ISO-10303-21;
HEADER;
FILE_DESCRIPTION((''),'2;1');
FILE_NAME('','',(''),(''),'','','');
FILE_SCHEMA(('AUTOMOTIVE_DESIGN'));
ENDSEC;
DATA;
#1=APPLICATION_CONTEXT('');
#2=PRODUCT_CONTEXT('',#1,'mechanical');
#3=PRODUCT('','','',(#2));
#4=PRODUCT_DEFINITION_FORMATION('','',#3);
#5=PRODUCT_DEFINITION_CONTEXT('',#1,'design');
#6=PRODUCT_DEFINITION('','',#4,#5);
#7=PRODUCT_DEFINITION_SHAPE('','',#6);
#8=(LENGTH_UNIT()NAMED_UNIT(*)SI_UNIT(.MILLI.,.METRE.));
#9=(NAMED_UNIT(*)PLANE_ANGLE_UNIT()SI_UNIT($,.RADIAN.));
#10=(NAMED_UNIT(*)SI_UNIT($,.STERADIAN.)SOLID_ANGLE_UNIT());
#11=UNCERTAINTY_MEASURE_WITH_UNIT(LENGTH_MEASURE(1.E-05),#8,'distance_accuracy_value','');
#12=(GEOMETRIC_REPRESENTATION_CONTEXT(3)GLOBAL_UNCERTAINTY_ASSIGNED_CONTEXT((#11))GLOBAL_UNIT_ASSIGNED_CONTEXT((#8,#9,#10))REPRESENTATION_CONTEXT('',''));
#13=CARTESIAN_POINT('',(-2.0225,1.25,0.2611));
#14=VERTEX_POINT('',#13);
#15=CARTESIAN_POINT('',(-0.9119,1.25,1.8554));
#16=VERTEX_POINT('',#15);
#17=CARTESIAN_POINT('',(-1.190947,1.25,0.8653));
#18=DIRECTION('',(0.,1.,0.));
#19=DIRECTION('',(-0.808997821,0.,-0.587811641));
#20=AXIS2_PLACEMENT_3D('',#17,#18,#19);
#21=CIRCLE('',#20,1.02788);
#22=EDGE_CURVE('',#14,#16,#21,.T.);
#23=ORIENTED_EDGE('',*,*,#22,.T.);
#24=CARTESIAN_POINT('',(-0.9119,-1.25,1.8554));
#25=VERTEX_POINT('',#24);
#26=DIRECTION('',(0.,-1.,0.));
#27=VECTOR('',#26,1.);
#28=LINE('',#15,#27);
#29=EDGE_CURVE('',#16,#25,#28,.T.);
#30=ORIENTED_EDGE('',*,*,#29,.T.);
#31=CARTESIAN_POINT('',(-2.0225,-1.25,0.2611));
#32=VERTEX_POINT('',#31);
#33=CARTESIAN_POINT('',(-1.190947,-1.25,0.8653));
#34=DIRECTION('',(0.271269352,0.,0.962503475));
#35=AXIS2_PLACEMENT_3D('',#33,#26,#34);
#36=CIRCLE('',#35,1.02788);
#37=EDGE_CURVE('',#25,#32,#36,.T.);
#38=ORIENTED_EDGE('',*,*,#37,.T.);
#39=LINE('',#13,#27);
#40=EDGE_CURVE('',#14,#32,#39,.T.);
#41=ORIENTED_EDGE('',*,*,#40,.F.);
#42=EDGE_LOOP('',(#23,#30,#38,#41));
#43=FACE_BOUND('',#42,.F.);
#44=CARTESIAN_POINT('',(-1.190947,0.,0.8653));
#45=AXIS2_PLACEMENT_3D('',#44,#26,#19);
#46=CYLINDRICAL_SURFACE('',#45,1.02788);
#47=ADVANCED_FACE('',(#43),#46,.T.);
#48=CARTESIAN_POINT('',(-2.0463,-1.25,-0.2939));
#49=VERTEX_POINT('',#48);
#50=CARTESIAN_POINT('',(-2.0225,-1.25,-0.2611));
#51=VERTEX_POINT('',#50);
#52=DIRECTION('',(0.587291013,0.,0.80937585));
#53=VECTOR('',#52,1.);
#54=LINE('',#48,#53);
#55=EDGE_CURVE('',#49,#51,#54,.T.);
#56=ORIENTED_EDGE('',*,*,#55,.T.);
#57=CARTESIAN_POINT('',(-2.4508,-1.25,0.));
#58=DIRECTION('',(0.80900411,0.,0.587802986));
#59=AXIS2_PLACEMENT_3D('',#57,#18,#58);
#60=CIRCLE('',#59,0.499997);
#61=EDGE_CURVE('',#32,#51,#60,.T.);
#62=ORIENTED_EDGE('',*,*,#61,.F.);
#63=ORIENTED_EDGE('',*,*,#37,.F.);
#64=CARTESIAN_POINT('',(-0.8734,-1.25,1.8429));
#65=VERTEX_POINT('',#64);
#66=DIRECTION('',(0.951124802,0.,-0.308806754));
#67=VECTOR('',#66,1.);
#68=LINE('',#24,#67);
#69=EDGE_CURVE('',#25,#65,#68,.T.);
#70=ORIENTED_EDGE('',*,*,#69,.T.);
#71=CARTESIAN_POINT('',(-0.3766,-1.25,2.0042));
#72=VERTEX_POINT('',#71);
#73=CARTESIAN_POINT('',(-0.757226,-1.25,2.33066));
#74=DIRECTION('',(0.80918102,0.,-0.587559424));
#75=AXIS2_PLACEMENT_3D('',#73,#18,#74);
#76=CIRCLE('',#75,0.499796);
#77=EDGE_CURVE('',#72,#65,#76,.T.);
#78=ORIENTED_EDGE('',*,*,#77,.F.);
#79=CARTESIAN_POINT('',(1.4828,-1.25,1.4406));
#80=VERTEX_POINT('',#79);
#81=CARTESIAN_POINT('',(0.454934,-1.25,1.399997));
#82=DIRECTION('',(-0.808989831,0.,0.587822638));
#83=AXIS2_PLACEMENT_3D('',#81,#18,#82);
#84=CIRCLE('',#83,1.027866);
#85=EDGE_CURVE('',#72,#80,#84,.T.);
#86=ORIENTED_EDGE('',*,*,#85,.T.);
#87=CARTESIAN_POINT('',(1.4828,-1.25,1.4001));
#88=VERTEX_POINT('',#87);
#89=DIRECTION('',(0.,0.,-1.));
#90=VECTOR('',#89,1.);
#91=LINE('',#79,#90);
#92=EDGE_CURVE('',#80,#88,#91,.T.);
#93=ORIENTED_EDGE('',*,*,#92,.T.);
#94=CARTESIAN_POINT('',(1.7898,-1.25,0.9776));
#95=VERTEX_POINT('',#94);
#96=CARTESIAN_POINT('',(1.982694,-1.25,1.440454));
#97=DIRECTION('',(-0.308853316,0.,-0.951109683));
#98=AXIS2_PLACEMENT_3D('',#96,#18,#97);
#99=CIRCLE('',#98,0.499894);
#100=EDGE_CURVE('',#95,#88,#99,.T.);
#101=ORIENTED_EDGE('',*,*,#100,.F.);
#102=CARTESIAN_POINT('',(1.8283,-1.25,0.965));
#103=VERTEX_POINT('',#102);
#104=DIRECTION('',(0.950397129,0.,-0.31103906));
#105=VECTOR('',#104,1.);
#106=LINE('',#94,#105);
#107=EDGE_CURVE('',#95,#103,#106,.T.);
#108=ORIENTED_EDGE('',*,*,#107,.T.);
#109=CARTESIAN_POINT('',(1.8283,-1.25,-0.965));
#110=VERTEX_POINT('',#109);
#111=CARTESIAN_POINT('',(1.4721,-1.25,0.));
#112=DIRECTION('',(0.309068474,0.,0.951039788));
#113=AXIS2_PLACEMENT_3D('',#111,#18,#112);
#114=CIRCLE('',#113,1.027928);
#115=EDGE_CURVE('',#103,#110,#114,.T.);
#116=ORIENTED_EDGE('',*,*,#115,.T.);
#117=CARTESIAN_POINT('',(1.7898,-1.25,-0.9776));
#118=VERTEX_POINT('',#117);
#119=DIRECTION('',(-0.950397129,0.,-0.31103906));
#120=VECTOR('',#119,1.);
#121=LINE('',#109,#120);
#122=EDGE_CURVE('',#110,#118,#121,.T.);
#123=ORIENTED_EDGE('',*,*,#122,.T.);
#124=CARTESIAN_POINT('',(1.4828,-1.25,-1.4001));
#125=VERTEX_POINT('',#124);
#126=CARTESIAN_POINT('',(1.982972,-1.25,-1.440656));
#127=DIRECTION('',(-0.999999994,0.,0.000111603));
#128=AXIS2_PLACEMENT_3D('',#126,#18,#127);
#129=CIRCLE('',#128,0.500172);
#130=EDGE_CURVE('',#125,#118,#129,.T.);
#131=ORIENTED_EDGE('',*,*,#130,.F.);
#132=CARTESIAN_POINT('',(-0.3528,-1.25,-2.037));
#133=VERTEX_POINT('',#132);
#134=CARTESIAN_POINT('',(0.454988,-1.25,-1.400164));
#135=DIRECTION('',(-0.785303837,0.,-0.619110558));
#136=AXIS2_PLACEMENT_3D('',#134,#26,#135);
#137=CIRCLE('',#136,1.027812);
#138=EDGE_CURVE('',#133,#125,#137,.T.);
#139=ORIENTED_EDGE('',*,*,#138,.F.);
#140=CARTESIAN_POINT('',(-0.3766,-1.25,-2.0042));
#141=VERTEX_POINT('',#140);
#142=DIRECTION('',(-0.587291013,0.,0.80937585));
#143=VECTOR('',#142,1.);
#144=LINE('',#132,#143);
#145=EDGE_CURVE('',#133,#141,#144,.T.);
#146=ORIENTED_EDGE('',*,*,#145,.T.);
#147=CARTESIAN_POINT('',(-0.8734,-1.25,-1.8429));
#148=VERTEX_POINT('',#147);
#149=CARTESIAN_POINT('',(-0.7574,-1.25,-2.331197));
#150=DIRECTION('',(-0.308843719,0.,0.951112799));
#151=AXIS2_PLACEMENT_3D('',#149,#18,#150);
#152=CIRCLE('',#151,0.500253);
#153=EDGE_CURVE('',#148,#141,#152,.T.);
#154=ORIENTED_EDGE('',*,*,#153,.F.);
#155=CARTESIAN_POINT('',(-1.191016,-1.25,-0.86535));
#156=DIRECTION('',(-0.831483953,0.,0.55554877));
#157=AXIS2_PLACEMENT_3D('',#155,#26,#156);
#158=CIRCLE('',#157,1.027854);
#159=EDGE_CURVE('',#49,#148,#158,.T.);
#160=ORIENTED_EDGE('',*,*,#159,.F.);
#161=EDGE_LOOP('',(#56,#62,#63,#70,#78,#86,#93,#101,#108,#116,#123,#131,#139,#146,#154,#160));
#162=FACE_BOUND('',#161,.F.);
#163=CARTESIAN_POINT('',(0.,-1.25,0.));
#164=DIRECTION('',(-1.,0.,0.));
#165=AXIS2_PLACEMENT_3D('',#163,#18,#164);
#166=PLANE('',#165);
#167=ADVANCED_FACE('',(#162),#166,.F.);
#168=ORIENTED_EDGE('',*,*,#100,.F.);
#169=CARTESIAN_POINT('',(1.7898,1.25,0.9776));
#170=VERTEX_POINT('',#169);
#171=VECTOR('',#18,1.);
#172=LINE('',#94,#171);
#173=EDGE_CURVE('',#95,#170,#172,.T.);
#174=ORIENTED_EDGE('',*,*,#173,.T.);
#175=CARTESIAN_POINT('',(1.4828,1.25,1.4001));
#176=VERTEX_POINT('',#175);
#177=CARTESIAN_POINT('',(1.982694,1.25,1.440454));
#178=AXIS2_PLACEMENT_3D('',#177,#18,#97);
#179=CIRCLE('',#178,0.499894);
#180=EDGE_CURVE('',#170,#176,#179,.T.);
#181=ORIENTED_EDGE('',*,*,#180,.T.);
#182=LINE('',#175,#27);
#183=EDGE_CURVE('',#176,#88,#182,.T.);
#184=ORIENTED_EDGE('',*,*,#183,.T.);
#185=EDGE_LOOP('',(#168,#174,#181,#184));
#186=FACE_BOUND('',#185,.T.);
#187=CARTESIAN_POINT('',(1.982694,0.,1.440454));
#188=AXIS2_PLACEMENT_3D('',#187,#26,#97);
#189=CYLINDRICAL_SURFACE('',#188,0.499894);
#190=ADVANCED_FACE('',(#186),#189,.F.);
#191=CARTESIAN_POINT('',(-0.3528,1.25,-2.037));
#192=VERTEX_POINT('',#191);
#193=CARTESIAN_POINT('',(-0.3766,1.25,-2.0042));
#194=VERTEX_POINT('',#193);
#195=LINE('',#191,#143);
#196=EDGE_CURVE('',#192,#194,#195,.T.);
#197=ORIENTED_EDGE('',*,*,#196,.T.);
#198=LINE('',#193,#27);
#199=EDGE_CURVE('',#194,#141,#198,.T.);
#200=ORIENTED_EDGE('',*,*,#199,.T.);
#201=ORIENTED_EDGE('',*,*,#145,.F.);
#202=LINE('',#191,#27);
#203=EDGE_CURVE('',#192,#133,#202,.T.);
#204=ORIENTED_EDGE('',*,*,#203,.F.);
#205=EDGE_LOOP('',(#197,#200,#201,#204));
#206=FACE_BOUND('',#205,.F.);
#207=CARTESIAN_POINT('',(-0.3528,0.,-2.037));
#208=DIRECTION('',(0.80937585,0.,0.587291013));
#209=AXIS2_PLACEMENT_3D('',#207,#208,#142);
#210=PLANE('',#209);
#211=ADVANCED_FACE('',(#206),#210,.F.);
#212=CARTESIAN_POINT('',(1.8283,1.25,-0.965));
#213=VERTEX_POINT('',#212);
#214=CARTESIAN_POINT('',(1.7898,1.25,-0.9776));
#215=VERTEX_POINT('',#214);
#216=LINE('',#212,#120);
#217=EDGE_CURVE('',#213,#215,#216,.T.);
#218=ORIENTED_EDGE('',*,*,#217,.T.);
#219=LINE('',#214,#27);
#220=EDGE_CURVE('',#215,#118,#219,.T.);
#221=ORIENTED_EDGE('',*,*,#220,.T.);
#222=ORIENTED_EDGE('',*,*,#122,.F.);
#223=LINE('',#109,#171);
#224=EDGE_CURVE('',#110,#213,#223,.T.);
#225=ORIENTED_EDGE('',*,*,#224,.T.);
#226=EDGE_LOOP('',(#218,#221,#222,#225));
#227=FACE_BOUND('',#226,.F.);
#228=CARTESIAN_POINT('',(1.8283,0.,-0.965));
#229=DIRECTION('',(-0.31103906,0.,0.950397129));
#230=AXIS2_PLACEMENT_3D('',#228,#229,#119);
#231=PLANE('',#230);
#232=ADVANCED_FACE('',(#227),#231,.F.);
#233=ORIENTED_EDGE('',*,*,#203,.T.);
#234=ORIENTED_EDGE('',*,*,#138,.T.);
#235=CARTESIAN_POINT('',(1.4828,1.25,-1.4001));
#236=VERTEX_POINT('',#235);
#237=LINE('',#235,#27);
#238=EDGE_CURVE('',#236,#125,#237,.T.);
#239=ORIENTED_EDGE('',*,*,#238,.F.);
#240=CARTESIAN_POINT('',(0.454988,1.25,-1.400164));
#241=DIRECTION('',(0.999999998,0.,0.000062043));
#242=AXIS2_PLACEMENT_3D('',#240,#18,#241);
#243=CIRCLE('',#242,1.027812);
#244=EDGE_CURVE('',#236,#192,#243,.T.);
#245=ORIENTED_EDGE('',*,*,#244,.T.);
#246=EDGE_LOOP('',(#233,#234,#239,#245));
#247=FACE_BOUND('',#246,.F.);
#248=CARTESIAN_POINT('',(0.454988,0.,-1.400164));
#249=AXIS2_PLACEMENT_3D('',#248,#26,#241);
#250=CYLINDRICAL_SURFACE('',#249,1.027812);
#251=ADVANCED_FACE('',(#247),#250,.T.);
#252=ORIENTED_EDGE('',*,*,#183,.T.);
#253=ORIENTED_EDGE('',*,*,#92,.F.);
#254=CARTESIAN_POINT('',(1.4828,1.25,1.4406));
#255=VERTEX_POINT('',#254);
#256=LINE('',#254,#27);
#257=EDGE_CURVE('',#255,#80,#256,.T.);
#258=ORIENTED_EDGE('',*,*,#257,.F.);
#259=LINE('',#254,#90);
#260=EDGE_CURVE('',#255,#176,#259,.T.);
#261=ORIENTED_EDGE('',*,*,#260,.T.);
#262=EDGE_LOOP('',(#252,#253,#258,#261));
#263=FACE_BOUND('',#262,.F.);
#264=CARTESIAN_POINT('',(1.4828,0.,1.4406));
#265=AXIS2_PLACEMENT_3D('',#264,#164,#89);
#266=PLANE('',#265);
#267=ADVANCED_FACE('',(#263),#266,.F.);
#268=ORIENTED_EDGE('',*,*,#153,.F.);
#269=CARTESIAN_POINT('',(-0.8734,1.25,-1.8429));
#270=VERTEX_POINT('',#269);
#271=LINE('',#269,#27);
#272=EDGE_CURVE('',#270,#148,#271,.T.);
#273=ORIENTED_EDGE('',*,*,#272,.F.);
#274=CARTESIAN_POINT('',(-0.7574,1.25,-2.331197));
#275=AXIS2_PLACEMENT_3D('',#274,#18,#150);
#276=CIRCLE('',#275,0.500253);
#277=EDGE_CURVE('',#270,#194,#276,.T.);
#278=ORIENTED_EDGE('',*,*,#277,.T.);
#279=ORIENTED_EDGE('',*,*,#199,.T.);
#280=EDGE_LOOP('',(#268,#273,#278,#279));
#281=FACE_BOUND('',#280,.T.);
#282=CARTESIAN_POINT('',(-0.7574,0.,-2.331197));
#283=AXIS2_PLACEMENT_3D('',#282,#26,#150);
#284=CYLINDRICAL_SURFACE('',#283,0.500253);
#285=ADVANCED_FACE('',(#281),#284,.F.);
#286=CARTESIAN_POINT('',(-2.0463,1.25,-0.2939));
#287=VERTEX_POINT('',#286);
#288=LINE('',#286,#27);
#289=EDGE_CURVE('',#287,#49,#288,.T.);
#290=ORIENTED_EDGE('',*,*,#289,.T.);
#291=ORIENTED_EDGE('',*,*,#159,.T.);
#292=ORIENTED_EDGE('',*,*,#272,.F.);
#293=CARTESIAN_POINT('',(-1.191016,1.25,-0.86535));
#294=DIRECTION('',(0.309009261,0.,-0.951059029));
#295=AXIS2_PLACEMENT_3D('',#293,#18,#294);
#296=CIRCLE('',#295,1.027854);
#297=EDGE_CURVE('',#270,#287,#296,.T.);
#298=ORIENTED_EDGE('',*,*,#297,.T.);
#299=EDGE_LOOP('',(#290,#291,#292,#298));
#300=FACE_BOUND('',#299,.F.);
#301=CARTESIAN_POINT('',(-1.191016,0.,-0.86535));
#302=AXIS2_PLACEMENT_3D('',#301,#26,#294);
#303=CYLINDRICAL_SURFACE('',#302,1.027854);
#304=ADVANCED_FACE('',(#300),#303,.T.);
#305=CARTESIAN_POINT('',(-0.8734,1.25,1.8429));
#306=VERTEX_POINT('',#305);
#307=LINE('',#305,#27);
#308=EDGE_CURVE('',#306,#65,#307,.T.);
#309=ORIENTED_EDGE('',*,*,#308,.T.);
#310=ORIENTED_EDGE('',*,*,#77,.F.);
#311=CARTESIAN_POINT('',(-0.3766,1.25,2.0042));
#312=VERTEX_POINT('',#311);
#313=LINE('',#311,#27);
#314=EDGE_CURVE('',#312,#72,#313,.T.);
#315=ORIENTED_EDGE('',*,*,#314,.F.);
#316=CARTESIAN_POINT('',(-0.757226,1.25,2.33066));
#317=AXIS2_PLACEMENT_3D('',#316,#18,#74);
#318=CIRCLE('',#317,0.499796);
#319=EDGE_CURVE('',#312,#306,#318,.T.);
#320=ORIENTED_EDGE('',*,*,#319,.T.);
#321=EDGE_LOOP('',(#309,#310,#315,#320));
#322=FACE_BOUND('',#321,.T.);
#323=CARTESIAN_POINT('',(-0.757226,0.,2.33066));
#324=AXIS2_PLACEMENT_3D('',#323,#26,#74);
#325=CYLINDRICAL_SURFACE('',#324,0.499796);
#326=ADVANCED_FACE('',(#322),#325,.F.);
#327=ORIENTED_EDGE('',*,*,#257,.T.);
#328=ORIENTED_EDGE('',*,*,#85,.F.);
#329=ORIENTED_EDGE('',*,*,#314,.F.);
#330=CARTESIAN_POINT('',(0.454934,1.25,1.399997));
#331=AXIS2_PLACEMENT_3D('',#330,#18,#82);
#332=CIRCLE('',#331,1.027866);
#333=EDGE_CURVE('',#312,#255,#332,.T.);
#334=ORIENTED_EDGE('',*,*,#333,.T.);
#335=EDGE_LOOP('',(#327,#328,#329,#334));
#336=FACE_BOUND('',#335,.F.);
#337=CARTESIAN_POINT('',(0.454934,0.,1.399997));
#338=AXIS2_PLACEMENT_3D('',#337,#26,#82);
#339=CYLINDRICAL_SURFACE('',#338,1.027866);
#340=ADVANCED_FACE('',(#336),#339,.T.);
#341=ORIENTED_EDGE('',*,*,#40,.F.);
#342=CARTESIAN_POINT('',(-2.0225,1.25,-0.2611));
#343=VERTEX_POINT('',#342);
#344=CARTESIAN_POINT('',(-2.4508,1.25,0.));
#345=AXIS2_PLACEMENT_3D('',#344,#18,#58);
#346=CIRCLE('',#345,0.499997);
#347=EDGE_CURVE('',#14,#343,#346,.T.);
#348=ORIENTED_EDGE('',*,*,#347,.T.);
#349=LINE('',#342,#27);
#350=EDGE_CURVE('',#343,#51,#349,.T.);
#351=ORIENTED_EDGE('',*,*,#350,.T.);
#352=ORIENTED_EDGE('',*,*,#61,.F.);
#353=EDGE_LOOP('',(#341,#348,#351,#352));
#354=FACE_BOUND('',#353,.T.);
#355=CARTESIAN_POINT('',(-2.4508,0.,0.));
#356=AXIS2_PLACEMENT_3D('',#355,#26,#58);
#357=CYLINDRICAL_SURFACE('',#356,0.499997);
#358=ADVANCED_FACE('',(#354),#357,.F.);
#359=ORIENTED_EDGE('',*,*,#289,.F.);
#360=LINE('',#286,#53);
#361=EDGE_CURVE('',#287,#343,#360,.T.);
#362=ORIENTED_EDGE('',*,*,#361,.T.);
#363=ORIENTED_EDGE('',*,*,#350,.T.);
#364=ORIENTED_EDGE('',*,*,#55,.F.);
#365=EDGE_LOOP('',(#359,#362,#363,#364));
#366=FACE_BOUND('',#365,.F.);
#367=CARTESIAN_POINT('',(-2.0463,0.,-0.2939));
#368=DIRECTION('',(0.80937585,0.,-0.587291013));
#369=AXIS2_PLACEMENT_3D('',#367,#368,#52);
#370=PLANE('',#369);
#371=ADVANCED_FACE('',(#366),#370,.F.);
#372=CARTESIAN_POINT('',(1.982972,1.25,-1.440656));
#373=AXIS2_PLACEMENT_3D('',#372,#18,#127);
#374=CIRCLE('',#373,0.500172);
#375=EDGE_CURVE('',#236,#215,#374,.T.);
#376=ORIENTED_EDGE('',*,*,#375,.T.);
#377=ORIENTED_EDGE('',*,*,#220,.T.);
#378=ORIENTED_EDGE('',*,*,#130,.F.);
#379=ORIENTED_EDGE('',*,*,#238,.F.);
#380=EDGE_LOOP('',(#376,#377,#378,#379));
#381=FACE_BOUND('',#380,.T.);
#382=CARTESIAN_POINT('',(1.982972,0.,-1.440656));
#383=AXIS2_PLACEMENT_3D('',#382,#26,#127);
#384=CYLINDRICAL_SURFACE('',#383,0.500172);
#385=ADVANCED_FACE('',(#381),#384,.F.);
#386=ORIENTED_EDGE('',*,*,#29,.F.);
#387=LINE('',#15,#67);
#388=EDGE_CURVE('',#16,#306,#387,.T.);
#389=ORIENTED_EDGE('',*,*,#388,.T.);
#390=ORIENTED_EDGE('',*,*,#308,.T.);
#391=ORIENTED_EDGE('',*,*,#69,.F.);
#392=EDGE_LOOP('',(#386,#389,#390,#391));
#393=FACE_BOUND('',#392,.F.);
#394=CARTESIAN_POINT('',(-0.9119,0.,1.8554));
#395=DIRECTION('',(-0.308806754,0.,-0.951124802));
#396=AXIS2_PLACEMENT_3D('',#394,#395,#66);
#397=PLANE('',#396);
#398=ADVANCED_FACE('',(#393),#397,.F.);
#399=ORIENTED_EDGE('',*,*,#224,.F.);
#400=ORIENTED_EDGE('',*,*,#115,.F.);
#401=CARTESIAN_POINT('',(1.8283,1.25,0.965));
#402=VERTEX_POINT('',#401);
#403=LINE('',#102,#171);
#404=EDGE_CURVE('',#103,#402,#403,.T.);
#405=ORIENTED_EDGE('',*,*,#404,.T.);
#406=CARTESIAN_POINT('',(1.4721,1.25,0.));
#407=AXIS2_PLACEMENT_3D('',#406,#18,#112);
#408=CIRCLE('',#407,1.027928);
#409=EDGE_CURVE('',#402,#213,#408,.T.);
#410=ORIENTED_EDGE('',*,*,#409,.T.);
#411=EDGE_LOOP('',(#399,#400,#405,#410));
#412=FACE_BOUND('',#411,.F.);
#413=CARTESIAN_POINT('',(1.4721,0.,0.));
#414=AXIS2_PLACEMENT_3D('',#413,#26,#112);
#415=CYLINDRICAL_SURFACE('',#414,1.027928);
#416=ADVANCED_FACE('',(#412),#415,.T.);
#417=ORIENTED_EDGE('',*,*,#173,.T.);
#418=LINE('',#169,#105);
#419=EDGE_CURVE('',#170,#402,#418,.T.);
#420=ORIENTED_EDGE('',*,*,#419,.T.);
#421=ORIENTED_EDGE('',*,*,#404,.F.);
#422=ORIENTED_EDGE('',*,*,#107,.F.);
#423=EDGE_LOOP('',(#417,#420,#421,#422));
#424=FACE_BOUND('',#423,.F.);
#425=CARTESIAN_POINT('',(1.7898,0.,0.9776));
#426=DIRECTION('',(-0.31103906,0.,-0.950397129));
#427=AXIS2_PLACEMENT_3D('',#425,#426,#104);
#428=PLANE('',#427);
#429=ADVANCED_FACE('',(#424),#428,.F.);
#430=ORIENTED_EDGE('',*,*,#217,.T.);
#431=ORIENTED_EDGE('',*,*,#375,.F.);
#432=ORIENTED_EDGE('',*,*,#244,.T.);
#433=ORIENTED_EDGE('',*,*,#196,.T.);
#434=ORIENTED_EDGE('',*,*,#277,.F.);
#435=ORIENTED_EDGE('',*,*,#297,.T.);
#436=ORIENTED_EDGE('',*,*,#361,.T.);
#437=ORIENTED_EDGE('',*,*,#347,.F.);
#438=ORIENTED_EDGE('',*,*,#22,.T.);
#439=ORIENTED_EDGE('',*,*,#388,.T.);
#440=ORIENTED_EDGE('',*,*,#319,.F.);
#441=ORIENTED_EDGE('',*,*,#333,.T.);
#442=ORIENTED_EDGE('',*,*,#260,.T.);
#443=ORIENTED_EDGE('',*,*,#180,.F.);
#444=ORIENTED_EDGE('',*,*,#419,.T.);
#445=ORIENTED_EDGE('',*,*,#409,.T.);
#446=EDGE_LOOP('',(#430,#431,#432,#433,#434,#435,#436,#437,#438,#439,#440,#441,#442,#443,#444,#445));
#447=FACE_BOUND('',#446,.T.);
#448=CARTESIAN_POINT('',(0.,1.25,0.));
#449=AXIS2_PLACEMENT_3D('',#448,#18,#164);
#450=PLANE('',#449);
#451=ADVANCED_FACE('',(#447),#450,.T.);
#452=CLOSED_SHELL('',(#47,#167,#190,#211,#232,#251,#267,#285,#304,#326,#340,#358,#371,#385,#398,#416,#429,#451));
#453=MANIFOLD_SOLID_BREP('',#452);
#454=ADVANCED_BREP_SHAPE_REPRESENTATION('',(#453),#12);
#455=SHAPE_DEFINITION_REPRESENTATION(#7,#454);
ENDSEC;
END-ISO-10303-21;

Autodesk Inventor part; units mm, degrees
ref_plane "YZ Plane" through (0, 0, 0) normal (1, 0, 0) x (0, 1, 0)
ref_plane "XZ Plane" through (0, 0, 0) normal (0, 1, 0) x (-1, 0, 0)
ref_plane "XY Plane" through (0, 0, 0) normal (0, 0, 1) x (1, 0, 0)
sketch "Sketch1" plane through (0, 0, 0) normal (0, 1, 0) x (-1, 0, 0)
  line L0 (-1.7898, 0.9776) -> (-1.8283, 0.965)
  line L1 (-1.4828, 1.4406) -> (-1.4828, 1.4001)
  arc A0 (0.3766, 2.0042) -> (-1.4828, 1.4001) centre (-0.4549, 1.4001) ccw
  line L2 (0.3766, 2.0042) -> (0.3528, 2.037)
  line L3 (0.9119, 1.8554) -> (0.8734, 1.8429)
  arc A1 (2.0225, 0.2611) -> (0.8734, 1.8429) centre (1.191, 0.8653) ccw
  line L4 (2.0225, 0.2611) -> (2.0463, 0.2939)
  line L5 (2.0463, -0.2939) -> (2.0225, -0.2611)
  arc A2 (0.8734, -1.8429) -> (2.0225, -0.2611) centre (1.191, -0.8653) ccw
  line L6 (0.8734, -1.8429) -> (0.9119, -1.8554)
  line L7 (0.3528, -2.037) -> (0.3766, -2.0042)
  arc A3 (-1.4828, -1.4001) -> (0.3766, -2.0042) centre (-0.4549, -1.4001) ccw
  line L8 (-1.4828, -1.4001) -> (-1.4828, -1.4406)
  line L9 (-1.8283, -0.965) -> (-1.7898, -0.9776)
  arc A4 (-1.7898, 0.9776) -> (-1.7898, -0.9776) centre (-1.4721, 0) ccw
  arc A5 (0.3528, 2.037) -> (0.9119, 1.8554) centre (0.7574, 2.3309) ccw
  arc A6 (-1.8283, 0.965) -> (-1.4828, 1.4406) centre (-1.9828, 1.4406) ccw
  arc A7 (-1.4828, -1.4406) -> (-1.8283, -0.965) centre (-1.9828, -1.4406) ccw
  arc A8 (0.9119, -1.8554) -> (0.3528, -2.037) centre (0.7574, -2.3309) ccw
  arc A9 (2.0463, 0.2939) -> (2.0463, -0.2939) centre (2.4508, 0) ccw
  point P0 (0, 0)
  point P1 (0, 0)
  point P2 (2.5, 0)
  point P3 (2.5, -1.8164)
  point P4 (-0.9549, -2.9389)
  point P5 (-3.0902, 0)
  point P6 (-0.9549, 2.9389)
  point P7 (2.5, 1.8164)
  dimension "d6" = 0.5
extrude "Extrusion1" add sketch "Sketch1" along normal mid plane 2.5
properties part number "Flower"
